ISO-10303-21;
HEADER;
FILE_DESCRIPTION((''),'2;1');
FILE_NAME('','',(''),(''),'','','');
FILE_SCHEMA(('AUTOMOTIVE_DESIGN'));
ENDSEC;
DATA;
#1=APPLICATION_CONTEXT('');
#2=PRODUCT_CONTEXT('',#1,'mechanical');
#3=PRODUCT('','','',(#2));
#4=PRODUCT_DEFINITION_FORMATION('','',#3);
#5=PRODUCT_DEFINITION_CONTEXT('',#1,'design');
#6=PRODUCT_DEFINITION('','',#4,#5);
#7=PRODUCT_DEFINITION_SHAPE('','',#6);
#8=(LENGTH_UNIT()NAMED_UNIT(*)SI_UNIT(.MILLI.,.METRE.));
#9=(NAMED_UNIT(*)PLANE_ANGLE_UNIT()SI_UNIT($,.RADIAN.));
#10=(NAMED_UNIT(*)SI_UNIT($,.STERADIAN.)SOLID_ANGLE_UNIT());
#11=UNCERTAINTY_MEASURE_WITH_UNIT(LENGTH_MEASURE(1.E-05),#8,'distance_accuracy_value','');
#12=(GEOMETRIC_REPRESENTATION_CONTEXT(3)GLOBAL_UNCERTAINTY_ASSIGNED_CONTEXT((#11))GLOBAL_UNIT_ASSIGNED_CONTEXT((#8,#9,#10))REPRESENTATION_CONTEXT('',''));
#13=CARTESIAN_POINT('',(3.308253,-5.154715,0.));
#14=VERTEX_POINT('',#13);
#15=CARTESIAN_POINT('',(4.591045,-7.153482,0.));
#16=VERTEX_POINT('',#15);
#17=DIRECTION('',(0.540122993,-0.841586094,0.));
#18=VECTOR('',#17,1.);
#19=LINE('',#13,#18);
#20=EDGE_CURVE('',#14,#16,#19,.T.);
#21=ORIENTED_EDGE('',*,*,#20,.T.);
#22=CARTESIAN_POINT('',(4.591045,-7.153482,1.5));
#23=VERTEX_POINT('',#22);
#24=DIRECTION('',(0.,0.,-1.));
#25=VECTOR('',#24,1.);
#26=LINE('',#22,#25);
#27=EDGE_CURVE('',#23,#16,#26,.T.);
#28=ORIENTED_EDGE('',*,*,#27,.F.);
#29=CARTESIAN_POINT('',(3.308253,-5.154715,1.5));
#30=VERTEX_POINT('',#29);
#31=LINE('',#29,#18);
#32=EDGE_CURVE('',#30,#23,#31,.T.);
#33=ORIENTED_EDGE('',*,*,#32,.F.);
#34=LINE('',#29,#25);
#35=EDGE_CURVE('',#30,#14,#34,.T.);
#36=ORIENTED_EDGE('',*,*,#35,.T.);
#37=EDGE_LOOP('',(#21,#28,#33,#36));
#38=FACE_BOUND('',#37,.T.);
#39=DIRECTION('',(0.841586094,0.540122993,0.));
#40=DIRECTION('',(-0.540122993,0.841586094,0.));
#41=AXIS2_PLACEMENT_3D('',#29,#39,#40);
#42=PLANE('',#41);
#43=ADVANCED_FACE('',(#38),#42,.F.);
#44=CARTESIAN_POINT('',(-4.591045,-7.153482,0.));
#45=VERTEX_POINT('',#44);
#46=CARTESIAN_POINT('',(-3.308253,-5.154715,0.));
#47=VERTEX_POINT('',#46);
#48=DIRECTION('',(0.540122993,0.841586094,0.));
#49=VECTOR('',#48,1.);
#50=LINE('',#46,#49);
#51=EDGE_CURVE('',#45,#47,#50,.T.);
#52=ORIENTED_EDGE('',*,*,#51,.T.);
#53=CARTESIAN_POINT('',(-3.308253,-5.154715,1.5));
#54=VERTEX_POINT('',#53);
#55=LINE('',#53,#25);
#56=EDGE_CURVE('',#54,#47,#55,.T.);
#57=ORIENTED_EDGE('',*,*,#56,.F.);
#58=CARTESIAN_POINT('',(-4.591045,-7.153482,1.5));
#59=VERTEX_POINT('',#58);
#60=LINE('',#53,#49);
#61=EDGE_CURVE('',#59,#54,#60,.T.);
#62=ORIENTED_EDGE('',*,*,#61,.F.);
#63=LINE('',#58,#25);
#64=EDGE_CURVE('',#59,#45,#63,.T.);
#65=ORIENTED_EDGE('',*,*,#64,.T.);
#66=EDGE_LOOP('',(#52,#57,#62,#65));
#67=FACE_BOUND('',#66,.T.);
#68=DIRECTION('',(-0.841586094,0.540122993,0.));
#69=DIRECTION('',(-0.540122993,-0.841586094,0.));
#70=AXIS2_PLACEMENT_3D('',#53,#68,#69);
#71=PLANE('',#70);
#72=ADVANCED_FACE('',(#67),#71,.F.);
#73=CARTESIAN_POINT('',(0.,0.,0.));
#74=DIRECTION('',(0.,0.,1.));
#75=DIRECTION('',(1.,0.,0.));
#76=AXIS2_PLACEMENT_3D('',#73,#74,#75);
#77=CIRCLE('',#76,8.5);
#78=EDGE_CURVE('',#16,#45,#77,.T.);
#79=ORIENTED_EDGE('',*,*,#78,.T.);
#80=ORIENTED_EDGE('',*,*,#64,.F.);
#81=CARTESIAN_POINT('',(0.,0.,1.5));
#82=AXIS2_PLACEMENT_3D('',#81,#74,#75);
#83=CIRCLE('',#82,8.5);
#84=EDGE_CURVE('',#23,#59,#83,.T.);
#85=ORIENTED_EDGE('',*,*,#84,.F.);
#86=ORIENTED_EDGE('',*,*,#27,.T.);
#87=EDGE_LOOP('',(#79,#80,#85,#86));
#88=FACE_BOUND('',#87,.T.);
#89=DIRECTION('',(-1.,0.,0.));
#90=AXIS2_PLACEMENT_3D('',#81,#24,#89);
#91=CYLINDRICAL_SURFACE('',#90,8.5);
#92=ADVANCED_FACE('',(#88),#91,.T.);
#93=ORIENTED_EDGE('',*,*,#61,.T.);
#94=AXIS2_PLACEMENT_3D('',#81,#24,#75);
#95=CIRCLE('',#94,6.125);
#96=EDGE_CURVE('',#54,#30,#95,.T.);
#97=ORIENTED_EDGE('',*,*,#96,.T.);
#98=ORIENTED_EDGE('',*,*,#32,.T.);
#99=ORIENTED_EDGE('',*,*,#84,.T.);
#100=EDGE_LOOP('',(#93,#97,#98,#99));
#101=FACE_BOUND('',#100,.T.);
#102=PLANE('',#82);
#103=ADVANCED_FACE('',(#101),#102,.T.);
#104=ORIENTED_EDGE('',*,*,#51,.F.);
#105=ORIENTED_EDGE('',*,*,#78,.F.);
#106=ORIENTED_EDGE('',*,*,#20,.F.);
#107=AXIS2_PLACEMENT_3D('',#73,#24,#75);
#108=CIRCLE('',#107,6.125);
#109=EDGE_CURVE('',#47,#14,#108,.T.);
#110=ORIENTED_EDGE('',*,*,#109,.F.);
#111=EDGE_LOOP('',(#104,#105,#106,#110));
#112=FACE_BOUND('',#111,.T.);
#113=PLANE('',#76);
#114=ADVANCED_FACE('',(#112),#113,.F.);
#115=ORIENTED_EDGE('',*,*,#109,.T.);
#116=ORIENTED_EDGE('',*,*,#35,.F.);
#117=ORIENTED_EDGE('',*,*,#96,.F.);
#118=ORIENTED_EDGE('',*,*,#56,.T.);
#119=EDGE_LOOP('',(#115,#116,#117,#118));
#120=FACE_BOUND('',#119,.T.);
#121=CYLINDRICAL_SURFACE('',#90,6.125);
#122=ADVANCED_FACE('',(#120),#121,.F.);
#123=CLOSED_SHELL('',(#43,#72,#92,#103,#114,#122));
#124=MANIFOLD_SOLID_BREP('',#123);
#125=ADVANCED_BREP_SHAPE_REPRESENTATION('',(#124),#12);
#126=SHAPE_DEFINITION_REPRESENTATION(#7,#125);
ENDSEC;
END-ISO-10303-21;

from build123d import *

# Parameters (mm, degrees)
BOSS_EXTRUDE1_DEPTH = 1.5


with BuildPart() as part:
    # Sketch1 → Boss-Extrude1 (new body)
    with BuildSketch(Plane.XY):
        with BuildLine():
            Line((-3.30825333, -5.154714823), (-4.591045437, -7.153481795))
            ThreePointArc((-4.591045437, -7.153481795), (0, 8.5), (4.591045437, -7.153481795))
            Line((4.591045437, -7.153481795), (3.30825333, -5.154714823))
            ThreePointArc((3.30825333, -5.154714823), (0, 6.125), (-3.30825333, -5.154714823))
        make_face()
    extrude(amount=BOSS_EXTRUDE1_DEPTH)


solid = part.part
